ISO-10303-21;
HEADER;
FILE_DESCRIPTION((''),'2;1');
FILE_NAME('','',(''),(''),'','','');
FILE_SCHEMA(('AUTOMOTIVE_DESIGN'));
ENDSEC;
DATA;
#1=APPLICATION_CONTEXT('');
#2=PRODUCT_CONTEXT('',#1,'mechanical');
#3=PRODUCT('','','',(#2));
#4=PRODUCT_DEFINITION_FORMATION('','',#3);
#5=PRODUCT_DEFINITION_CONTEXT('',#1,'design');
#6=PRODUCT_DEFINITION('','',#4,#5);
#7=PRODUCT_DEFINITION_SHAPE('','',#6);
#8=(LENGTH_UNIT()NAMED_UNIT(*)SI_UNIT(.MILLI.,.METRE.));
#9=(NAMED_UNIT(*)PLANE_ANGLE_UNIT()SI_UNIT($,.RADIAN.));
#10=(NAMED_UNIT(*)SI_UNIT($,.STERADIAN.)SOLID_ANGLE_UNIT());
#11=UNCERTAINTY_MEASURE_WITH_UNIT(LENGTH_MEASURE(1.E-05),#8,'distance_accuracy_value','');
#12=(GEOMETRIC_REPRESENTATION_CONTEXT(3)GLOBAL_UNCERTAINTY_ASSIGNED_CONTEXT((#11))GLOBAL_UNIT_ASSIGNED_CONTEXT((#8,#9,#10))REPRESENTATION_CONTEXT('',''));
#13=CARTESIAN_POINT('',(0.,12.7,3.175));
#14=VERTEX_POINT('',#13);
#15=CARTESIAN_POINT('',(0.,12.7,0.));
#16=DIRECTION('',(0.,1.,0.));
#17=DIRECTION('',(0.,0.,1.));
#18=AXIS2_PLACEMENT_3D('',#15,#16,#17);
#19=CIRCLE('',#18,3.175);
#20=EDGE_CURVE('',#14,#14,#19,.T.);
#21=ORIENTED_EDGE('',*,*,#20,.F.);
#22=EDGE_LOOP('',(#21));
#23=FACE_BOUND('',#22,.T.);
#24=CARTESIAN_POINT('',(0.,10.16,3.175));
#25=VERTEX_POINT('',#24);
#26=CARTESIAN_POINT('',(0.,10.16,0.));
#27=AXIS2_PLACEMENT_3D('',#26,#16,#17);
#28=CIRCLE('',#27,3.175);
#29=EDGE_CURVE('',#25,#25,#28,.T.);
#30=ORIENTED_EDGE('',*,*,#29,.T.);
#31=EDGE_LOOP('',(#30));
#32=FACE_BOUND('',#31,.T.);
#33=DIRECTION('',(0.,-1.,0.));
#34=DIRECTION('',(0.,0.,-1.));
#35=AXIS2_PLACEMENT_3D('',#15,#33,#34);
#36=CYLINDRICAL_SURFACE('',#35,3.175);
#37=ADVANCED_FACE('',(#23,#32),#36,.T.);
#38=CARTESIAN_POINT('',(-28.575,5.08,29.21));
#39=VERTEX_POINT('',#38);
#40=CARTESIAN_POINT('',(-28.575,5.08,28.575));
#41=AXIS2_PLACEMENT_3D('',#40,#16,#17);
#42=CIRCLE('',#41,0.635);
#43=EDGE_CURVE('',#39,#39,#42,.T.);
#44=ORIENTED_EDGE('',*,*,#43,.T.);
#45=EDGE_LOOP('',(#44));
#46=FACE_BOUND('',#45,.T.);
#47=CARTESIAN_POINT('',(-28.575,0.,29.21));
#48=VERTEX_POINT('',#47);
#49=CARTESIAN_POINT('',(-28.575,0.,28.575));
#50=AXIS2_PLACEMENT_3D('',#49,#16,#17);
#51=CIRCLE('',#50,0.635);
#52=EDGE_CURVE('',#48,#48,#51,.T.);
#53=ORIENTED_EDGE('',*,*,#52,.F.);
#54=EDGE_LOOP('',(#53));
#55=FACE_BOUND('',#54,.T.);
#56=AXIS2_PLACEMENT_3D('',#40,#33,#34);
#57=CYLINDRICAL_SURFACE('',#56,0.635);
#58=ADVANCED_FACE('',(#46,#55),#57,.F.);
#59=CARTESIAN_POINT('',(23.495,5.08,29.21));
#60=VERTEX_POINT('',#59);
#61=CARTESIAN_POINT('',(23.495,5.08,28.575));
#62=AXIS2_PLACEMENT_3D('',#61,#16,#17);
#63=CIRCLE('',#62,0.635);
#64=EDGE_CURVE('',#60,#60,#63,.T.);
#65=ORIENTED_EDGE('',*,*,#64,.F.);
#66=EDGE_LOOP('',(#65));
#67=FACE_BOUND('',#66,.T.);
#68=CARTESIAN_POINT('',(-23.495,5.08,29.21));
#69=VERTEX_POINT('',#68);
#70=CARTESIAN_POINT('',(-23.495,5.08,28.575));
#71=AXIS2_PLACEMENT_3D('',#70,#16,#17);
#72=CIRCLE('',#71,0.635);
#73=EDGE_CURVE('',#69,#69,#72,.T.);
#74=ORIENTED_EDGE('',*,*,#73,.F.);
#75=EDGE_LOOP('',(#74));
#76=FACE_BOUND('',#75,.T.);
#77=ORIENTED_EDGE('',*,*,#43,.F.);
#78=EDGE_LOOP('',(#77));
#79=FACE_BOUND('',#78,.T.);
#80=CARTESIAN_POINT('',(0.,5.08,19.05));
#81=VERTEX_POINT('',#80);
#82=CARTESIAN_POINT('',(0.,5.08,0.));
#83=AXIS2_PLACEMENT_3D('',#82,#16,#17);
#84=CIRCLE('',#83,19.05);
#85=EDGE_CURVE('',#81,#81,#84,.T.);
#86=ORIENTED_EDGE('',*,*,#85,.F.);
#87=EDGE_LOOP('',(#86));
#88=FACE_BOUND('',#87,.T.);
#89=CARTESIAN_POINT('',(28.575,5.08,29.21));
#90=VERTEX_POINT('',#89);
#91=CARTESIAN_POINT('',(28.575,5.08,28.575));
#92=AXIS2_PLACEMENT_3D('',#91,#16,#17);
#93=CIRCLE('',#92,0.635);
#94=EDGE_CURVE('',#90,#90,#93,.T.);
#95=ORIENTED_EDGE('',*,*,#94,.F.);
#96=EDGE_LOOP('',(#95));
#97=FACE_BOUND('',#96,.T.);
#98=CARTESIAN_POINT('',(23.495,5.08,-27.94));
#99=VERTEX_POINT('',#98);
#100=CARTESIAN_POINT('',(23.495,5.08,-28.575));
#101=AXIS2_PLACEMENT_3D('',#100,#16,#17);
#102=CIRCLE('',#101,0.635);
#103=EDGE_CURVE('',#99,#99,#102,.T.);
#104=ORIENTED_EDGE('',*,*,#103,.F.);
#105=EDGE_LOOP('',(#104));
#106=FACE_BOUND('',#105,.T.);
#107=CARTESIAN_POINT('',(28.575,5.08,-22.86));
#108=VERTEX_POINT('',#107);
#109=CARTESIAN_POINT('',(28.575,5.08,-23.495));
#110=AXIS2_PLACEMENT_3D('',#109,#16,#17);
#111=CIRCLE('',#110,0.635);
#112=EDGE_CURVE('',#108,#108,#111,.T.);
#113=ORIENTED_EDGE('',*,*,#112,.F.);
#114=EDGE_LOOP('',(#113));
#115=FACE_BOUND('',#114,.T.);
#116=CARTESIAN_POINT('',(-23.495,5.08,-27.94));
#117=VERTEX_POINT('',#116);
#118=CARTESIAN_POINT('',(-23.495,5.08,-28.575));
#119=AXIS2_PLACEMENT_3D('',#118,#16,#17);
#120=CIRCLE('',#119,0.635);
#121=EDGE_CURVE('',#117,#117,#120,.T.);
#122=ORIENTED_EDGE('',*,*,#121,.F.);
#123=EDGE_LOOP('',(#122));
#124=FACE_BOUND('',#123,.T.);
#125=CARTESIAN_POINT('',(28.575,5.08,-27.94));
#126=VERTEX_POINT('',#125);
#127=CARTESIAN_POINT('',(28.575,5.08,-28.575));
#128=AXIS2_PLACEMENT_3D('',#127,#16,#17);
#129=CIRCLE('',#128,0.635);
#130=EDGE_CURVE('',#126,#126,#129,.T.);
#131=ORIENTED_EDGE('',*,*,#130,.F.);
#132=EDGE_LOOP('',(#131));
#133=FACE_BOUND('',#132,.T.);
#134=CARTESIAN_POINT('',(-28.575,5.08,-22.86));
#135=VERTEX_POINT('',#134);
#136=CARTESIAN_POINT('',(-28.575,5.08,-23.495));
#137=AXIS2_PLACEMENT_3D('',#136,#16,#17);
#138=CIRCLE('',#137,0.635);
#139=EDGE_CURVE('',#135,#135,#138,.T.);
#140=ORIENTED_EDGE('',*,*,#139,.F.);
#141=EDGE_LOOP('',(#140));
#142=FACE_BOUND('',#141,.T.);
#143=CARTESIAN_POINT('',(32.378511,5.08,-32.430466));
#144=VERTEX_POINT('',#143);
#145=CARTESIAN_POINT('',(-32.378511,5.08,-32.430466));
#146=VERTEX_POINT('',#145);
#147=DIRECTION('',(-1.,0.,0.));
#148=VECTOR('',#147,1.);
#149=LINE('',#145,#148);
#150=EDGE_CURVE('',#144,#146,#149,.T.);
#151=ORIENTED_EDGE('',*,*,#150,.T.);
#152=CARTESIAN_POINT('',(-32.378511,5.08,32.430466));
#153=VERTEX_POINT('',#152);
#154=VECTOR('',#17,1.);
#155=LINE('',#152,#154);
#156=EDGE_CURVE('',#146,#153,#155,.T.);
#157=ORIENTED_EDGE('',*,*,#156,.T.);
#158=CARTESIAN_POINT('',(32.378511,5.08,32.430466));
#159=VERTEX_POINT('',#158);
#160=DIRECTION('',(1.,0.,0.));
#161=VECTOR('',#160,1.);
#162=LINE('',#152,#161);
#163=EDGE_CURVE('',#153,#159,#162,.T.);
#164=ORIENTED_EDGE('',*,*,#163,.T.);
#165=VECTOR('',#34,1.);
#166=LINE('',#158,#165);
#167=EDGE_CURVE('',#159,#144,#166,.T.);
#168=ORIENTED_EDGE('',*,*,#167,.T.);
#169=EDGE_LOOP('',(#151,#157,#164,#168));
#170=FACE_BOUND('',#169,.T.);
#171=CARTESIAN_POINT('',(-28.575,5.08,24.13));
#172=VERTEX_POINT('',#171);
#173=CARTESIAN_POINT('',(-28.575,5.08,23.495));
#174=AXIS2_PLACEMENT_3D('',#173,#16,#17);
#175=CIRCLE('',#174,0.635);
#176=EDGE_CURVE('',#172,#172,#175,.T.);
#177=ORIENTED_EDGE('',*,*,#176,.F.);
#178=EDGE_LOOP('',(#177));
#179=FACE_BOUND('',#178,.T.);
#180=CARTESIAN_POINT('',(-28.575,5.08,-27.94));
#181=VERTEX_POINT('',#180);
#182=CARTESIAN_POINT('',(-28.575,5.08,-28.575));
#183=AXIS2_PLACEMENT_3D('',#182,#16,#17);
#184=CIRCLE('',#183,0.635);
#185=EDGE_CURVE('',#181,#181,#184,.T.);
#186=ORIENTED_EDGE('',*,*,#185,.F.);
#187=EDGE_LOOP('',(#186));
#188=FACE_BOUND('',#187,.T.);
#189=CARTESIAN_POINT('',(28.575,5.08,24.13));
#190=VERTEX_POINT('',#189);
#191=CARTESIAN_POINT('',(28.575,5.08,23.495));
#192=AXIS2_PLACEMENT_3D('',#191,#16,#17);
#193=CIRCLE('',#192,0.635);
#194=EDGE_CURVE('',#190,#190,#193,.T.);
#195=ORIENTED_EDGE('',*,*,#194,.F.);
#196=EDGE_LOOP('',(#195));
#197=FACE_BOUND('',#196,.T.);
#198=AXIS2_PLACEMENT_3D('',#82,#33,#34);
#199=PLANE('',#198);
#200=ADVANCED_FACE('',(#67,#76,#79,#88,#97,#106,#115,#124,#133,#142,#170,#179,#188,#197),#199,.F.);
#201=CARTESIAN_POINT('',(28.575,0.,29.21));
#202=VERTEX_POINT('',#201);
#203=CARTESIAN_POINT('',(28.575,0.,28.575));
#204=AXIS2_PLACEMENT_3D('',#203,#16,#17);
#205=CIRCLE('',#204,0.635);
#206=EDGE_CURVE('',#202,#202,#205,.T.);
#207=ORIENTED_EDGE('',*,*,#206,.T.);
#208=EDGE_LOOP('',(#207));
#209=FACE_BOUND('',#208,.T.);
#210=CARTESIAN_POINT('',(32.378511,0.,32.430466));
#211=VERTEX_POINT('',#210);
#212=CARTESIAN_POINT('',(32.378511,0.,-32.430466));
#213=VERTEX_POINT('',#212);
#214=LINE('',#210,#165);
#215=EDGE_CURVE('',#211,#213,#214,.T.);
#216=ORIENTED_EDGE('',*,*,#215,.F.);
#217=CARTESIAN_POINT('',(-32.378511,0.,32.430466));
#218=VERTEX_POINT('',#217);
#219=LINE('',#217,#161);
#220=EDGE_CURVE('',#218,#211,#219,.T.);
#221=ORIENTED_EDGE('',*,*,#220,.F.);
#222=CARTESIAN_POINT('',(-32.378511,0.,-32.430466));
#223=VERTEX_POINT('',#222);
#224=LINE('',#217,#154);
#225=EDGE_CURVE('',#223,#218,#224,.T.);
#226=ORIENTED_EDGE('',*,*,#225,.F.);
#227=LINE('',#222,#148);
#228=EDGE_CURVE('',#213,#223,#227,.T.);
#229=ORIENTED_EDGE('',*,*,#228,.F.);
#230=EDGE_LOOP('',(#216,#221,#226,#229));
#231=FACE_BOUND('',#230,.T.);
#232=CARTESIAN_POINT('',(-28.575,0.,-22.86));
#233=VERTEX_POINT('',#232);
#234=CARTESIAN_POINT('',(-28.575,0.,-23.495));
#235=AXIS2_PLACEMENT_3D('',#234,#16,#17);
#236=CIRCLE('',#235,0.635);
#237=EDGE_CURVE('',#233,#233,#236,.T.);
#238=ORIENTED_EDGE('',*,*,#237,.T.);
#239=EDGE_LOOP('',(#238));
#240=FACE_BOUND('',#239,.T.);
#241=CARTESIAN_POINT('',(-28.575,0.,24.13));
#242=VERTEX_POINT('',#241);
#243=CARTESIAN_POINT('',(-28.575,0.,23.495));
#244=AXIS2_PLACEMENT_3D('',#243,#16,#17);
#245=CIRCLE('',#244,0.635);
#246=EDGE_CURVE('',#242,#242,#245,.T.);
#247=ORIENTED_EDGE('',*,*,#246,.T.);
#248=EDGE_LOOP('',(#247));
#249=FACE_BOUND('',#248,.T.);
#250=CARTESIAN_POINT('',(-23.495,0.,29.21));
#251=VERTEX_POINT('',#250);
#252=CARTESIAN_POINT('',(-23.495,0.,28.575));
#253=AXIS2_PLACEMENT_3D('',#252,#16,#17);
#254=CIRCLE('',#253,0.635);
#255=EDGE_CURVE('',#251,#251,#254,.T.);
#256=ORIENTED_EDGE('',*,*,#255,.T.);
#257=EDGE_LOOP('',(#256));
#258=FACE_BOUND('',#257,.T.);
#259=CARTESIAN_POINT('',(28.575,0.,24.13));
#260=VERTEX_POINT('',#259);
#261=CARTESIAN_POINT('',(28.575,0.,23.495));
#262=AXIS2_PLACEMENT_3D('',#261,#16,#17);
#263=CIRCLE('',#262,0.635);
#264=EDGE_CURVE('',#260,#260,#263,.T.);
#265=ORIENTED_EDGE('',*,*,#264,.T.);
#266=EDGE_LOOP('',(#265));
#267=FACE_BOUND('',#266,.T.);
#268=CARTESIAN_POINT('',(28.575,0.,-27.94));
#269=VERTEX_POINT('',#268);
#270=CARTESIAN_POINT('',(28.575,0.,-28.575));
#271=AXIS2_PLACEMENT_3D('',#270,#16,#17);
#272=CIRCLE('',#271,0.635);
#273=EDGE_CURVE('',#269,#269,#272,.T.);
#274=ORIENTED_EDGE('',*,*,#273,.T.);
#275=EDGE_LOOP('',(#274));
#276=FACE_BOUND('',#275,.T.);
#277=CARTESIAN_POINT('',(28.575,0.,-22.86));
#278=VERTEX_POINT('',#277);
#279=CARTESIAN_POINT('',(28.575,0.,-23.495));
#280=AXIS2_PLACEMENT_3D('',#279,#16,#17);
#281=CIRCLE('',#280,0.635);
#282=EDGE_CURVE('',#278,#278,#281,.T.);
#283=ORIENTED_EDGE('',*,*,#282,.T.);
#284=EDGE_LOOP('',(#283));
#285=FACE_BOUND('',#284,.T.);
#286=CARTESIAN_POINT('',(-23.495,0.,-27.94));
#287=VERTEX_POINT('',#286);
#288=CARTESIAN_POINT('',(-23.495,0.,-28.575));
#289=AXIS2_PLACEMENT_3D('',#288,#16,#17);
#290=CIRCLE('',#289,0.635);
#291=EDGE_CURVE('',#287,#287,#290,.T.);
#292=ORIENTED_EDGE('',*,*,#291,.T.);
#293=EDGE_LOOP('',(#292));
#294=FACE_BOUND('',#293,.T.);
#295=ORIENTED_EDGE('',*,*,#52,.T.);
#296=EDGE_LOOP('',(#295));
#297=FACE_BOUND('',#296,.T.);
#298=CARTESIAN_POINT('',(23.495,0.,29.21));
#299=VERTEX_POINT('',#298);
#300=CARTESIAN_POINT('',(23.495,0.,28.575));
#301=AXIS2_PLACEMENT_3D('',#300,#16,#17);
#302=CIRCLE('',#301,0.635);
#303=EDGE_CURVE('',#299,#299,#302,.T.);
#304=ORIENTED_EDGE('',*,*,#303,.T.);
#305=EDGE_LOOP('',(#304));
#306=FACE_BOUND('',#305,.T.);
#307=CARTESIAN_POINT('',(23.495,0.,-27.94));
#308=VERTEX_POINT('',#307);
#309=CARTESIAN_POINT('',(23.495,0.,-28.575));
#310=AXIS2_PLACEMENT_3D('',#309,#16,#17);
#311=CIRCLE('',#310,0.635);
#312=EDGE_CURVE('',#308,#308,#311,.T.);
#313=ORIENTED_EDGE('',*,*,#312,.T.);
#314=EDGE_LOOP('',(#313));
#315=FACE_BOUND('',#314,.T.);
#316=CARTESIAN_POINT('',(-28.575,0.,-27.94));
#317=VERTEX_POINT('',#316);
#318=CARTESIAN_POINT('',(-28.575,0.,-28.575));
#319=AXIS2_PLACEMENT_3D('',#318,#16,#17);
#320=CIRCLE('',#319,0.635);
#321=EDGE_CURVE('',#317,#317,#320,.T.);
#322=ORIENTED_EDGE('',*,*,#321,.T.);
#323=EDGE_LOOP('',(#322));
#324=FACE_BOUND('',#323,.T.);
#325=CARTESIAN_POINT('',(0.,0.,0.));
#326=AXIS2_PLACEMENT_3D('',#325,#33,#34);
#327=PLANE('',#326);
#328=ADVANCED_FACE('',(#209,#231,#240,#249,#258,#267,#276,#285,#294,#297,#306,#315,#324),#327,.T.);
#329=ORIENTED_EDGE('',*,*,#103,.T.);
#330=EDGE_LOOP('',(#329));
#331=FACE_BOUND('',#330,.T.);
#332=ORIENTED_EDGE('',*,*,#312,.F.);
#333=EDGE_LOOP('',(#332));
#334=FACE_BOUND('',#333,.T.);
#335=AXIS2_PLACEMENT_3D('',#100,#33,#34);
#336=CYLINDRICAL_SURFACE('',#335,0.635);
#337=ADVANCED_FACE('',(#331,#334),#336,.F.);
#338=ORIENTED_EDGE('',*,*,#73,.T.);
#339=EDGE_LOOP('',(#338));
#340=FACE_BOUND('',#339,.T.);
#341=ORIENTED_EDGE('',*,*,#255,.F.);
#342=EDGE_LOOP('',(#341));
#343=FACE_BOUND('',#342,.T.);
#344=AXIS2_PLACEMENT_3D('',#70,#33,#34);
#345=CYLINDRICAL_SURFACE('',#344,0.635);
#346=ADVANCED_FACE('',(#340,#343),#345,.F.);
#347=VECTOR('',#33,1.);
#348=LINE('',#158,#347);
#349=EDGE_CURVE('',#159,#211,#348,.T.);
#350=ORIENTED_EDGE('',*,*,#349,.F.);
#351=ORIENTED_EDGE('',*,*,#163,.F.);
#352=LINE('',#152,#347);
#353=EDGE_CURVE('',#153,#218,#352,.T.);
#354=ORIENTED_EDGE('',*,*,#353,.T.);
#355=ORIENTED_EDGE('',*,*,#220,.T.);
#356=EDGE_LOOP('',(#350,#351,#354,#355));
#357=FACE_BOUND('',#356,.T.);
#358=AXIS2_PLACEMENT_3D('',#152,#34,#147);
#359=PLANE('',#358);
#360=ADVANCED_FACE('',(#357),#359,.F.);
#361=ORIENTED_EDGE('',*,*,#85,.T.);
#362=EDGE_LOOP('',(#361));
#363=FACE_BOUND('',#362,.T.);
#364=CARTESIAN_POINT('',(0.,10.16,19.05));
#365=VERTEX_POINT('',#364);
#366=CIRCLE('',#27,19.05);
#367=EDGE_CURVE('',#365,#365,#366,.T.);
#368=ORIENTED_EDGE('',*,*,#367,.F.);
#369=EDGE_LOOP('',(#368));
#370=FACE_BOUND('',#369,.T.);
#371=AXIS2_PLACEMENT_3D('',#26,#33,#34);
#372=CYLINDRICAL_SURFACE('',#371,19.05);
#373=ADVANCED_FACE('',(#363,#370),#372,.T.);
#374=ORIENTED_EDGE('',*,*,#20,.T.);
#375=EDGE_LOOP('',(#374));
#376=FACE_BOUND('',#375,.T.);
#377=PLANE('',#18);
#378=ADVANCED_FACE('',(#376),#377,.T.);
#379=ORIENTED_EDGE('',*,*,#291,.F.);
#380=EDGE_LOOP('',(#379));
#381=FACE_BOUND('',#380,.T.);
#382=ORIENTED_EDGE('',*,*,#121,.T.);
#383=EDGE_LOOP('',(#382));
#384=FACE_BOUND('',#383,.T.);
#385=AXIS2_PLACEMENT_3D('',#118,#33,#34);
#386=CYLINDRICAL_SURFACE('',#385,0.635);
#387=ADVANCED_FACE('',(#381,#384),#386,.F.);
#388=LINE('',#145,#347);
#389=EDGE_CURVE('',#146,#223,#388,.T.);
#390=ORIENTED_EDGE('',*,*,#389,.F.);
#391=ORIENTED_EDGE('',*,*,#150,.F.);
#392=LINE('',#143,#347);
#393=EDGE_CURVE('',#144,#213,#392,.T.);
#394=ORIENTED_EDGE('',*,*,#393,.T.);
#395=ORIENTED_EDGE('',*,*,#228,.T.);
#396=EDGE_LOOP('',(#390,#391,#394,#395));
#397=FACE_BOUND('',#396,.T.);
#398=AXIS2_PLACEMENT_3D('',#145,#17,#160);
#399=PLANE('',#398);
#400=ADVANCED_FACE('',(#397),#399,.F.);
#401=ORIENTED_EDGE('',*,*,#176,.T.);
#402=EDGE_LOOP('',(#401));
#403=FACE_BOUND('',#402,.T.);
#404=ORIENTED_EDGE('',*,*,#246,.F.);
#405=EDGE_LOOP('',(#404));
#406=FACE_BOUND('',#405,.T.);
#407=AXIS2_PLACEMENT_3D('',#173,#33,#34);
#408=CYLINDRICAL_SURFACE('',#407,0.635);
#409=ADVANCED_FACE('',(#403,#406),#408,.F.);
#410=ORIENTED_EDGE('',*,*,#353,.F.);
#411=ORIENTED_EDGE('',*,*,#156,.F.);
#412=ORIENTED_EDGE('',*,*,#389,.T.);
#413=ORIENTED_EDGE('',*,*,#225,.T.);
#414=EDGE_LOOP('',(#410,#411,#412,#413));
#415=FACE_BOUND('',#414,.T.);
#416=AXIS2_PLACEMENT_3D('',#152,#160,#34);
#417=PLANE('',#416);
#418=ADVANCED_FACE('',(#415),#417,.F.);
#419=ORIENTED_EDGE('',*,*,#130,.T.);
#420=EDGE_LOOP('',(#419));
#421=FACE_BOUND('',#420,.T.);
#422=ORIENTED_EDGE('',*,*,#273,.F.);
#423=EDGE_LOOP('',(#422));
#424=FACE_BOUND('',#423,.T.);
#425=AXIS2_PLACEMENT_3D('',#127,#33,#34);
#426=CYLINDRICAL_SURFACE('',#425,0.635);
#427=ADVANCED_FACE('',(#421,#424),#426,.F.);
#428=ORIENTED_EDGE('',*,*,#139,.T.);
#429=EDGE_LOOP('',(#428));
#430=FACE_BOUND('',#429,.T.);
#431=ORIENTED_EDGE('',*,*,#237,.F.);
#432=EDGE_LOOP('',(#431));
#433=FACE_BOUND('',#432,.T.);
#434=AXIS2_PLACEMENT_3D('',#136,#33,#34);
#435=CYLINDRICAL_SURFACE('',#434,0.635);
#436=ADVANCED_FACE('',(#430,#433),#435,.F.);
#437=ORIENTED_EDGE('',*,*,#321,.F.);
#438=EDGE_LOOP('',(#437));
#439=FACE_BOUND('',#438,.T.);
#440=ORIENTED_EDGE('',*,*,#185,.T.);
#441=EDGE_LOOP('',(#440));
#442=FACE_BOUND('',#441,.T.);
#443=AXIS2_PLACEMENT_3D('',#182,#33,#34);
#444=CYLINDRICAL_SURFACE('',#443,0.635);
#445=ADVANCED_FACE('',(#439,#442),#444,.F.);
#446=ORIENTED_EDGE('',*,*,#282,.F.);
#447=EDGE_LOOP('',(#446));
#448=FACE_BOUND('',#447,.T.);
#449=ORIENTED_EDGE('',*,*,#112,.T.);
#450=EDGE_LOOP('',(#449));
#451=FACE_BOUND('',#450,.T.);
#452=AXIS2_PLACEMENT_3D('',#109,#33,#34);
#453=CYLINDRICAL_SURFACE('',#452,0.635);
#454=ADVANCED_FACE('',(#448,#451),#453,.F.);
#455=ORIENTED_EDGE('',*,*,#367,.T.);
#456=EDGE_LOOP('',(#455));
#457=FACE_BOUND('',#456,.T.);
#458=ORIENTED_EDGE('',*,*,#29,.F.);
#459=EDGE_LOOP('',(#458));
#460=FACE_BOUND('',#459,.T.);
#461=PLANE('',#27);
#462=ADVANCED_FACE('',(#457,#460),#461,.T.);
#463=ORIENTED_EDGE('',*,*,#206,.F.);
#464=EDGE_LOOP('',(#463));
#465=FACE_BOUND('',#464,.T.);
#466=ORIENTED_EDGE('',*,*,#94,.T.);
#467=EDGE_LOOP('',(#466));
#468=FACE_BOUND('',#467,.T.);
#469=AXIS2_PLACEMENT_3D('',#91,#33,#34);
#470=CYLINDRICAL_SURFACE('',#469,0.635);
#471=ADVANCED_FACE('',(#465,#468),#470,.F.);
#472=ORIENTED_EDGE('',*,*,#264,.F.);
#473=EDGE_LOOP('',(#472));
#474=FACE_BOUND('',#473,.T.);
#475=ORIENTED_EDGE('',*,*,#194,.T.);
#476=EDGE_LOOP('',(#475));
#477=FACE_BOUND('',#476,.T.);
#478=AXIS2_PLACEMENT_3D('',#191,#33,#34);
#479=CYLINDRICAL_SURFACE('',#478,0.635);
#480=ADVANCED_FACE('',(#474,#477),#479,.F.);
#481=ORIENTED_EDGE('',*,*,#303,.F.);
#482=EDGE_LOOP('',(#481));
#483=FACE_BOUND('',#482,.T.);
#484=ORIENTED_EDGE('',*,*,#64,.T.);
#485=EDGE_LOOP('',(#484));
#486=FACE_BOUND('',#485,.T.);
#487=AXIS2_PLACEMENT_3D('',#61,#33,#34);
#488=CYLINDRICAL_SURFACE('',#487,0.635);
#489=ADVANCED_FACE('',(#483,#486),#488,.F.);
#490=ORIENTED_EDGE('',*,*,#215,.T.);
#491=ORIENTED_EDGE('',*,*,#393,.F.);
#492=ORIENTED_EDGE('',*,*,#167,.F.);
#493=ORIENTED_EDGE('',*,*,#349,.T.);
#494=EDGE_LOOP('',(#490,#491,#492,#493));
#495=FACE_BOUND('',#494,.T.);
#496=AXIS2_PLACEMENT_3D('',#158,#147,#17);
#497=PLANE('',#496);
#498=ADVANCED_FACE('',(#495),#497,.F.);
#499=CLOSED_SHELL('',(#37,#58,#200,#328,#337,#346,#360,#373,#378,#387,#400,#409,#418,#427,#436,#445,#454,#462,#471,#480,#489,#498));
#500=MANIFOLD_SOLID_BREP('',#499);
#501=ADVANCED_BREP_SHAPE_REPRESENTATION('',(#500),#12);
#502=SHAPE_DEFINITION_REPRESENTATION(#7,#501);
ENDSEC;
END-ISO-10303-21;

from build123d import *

# Parameters (mm, degrees)
SKETCH1_W           = 64.757022316
SKETCH1_H           = 64.860932096
SKETCH1_R           = 0.635
BOSS_EXTRUDE1_DEPTH = 5.08
SKETCH2_R           = 19.05
BOSS_EXTRUDE2_DEPTH = 5.08
SKETCH3_R           = 3.175
BOSS_EXTRUDE3_DEPTH = 2.54


with BuildPart() as part:
    # Sketch1 → Boss-Extrude1 (new body)
    with BuildSketch(Plane(origin=(0, 0, 0), x_dir=(1, 0, 0), z_dir=(0, 1, 0))):
        Rectangle(SKETCH1_W, SKETCH1_H)
        with Locations(Location((-28.575, 28.575, 0), (0, 0, 270))):
            Circle(SKETCH1_R, mode=Mode.SUBTRACT)
        with Locations(Location((-23.495, 28.575, 0), (0, 0, 270))):
            Circle(SKETCH1_R, mode=Mode.SUBTRACT)
        with Locations(Location((-28.575, 23.495, 0), (0, 0, 270))):
            Circle(SKETCH1_R, mode=Mode.SUBTRACT)
        with Locations(Location((28.575, 28.575, 0), (0, 0, 270))):
            Circle(SKETCH1_R, mode=Mode.SUBTRACT)
        with Locations(Location((23.495, 28.575, 0), (0, 0, 270))):
            Circle(SKETCH1_R, mode=Mode.SUBTRACT)
        with Locations(Location((28.575, 23.495, 0), (0, 0, 270))):
            Circle(SKETCH1_R, mode=Mode.SUBTRACT)
        with Locations(Location((28.575, -28.575, 0), (0, 0, 270))):
            Circle(SKETCH1_R, mode=Mode.SUBTRACT)
        with Locations(Location((28.575, -23.495, 0), (0, 0, 270))):
            Circle(SKETCH1_R, mode=Mode.SUBTRACT)
        with Locations(Location((23.495, -28.575, 0), (0, 0, 270))):
            Circle(SKETCH1_R, mode=Mode.SUBTRACT)
        with Locations(Location((-28.575, -28.575, 0), (0, 0, 270))):
            Circle(SKETCH1_R, mode=Mode.SUBTRACT)
        with Locations(Location((-28.575, -23.495, 0), (0, 0, 270))):
            Circle(SKETCH1_R, mode=Mode.SUBTRACT)
        with Locations(Location((-23.495, -28.575, 0), (0, 0, 270))):
            Circle(SKETCH1_R, mode=Mode.SUBTRACT)
    extrude(amount=BOSS_EXTRUDE1_DEPTH)

    # Sketch2 → Boss-Extrude2 (add)
    with BuildSketch(Plane(origin=(0, 5.08, 0), x_dir=(1, 0, 0), z_dir=(0, 1, 0))):
        with Locations(Location((0, 0, 0), (0, 0, 270))):
            Circle(SKETCH2_R)
    extrude(amount=BOSS_EXTRUDE2_DEPTH)

    # Sketch3 → Boss-Extrude3 (add)
    with BuildSketch(Plane(origin=(0, 10.16, 0), x_dir=(1, 0, 0), z_dir=(0, 1, 0))):
        with Locations(Location((0, 0, 0), (0, 0, 270))):
            Circle(SKETCH3_R)
    extrude(amount=BOSS_EXTRUDE3_DEPTH)


solid = part.part
